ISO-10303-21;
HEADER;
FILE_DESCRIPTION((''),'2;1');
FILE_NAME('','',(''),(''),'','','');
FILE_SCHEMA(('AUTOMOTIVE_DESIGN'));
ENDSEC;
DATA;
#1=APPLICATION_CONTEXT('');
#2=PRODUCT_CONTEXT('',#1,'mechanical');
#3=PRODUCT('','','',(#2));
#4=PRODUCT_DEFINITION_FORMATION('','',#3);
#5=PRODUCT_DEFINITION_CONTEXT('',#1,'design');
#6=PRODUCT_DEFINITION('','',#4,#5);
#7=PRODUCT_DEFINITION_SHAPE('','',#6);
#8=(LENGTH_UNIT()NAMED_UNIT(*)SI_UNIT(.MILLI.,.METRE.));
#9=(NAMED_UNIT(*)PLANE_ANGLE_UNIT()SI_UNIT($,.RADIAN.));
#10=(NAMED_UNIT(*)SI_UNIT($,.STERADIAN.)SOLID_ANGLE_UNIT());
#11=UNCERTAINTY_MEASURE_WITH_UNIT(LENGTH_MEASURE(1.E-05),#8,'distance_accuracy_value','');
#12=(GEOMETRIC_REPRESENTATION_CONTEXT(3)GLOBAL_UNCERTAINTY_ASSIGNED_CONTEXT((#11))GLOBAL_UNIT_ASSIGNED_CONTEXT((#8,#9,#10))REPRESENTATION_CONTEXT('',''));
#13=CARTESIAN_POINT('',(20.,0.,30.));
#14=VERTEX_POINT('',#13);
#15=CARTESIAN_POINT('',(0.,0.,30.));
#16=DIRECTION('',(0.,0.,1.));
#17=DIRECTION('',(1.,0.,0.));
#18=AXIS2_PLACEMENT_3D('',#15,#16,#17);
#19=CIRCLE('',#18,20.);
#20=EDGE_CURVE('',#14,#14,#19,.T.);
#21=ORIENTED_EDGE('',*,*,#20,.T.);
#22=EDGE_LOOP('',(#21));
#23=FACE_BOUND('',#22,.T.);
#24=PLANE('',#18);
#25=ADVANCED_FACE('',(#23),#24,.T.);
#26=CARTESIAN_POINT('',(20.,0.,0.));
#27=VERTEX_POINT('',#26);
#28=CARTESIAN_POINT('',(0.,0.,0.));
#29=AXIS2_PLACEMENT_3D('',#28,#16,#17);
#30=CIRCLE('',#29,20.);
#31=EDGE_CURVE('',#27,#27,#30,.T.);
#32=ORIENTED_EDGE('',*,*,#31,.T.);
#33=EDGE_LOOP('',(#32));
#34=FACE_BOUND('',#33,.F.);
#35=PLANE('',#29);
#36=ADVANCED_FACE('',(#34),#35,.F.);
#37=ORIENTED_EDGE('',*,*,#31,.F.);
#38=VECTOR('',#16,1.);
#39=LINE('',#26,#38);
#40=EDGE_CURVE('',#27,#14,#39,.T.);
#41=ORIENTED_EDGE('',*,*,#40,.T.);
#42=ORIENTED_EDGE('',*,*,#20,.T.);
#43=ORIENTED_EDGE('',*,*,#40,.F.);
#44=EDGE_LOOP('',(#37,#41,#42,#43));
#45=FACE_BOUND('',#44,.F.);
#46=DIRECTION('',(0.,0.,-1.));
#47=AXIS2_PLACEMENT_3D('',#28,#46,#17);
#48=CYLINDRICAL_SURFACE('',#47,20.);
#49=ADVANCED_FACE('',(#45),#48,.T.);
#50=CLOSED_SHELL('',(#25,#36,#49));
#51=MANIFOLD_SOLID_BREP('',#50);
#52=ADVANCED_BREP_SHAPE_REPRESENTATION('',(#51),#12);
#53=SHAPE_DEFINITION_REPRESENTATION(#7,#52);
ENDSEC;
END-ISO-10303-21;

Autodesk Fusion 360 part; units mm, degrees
sketch "Sketch1" plane through (0, 0, 0) normal (0, 0, 1) x (1, 0, 0) in component "Propeller"
  circle A0 centre (0, 0) radius 20
  dimension "d1" = 40
extrude "Extrude1" add sketch "Sketch1" along normal blind 30 in component "Propeller"
ref_plane "WorkPlane1" through (0, -12, 0) normal (0, 1, 0) x (0, 0, 1) in component "Propeller"
ref_plane "WorkPlane2" through (0, -112, 0) normal (0, 1, 0) x (0, 0, 1) in component "Propeller"
sketch "Sketch2" plane through (0, -112, 0) normal (0, 1, 0) x (1, 0, 0) in component "Propeller"
component "Propeller" placed x (1, 0, 0) y (0, 1, 0) z (0, 0, 1) at (0, 0, 0)
